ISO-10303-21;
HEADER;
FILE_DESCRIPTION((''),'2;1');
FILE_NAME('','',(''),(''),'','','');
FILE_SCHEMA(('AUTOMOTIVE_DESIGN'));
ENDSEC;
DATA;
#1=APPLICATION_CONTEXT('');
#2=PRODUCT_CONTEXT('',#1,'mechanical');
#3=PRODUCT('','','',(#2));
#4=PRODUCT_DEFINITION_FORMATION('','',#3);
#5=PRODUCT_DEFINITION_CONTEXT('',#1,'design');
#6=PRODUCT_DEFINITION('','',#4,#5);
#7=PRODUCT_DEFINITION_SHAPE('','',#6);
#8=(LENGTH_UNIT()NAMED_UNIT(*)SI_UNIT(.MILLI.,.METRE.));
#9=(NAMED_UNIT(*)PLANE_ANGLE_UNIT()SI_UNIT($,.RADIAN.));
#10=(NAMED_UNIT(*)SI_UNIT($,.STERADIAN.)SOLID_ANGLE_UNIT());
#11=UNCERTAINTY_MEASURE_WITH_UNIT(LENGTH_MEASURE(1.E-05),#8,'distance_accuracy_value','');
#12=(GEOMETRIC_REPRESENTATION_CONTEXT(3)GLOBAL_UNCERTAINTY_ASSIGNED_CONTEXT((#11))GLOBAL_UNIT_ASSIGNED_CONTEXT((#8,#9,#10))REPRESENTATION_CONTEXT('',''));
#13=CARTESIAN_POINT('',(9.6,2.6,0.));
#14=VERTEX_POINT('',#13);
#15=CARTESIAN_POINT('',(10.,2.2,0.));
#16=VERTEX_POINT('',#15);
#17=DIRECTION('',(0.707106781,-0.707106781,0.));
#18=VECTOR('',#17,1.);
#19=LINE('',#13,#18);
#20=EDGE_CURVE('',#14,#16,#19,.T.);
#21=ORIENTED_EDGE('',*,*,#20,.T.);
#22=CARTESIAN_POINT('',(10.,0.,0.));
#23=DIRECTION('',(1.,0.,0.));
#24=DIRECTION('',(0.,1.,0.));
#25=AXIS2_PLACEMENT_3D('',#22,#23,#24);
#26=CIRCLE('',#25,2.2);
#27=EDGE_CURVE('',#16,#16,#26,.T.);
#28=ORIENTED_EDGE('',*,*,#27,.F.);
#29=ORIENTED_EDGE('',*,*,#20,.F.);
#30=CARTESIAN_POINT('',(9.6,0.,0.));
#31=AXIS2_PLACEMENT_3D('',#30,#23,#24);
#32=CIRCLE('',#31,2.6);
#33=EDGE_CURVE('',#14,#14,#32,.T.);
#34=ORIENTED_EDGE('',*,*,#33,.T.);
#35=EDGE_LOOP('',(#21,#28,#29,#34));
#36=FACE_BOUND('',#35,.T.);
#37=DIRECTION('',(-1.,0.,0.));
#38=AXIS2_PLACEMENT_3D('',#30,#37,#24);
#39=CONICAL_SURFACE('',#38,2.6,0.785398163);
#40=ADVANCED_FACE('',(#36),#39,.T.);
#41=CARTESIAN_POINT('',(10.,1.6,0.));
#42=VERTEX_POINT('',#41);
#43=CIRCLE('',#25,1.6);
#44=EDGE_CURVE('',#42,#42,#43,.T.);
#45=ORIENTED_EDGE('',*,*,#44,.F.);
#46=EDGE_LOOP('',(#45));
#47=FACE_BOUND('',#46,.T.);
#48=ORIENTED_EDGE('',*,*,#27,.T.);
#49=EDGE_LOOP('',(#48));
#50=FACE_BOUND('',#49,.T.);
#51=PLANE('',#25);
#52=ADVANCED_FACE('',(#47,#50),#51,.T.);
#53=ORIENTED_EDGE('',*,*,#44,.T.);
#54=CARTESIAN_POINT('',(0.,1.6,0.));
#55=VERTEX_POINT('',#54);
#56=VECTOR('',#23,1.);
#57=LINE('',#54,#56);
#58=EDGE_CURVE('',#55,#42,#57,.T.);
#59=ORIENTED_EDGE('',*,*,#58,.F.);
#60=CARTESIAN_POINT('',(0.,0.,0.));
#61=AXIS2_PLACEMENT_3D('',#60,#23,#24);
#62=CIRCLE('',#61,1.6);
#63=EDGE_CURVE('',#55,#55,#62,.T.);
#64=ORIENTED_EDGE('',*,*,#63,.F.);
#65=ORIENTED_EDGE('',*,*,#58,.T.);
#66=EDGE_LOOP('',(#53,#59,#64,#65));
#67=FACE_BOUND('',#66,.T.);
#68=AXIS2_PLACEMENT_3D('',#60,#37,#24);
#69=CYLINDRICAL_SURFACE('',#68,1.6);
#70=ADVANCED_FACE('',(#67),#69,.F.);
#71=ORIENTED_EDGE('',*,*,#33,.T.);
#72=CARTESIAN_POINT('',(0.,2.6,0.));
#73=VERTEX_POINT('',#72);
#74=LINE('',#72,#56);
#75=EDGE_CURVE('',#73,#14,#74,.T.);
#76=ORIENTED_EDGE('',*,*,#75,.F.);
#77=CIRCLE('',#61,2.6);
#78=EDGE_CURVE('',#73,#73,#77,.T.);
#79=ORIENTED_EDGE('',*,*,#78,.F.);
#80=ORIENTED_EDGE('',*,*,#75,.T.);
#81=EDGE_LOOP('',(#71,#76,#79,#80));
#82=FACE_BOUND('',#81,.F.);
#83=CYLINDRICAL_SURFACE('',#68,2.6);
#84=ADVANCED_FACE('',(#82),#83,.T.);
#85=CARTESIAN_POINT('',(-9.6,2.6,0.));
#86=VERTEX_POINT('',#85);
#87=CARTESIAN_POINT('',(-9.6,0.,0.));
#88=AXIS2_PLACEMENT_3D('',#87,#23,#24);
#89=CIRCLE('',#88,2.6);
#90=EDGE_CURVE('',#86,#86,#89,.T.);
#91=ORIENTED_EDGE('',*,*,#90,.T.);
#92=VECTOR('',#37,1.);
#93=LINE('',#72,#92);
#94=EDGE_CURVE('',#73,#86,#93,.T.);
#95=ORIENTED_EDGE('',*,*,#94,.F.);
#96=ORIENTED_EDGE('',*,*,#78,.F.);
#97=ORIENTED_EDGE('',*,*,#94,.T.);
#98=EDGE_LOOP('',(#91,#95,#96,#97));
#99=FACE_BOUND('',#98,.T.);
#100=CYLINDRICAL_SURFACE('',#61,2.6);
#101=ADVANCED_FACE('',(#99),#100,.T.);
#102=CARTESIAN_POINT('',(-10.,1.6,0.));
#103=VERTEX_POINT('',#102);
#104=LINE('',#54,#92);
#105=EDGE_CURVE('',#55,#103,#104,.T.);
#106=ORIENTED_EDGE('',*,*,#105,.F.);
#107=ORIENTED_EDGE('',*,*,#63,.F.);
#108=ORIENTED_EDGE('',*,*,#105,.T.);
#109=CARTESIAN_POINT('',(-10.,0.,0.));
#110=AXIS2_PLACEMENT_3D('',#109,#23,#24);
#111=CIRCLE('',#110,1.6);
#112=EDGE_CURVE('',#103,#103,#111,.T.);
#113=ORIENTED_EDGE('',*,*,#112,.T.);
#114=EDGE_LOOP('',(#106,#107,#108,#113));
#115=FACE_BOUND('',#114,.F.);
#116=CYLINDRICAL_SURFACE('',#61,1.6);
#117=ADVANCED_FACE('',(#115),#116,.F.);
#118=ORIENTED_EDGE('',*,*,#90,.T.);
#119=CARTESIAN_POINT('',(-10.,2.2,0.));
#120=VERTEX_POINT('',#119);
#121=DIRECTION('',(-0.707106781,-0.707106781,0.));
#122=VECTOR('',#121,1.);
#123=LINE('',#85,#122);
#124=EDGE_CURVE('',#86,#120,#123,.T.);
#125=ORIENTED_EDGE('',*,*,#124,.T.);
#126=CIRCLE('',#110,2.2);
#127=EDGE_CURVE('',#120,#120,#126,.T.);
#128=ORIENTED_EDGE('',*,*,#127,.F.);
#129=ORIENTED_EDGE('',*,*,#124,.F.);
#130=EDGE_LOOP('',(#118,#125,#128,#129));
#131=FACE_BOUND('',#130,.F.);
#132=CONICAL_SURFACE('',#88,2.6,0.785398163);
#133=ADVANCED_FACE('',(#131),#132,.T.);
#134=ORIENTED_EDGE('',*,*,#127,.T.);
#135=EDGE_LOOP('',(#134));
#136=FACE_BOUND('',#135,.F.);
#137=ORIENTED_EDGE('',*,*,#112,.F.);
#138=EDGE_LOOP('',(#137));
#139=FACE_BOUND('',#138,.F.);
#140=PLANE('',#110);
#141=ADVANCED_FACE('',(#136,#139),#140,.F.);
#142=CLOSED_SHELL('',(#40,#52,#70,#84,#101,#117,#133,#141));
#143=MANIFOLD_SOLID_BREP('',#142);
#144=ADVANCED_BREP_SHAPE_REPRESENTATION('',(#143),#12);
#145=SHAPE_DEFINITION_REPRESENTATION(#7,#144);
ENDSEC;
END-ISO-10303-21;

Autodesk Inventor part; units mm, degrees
ref_plane "YZ Plane" through (0, 0, 0) normal (1, 0, 0) x (0, 1, 0)
ref_plane "XZ Plane" through (0, 0, 0) normal (0, 1, 0) x (-1, 0, 0)
ref_plane "XY Plane" through (0, 0, 0) normal (0, 0, 1) x (1, 0, 0)
sketch "スケッチ1" plane through (0, 0, 0) normal (1, 0, 0) x (0, 1, 0)
  circle A0 centre (0, 0) radius 2.6
  circle A1 centre (0, 0) radius 1.6
  dimension "d0" = 3.2
  dimension "d1" = 1
extrude "押し出し1" add sketch "スケッチ1" along normal mid plane 20
chamfer "面取り1" distance 0.4 angle 45 2 edges at (10, -2.6, 0) (-10, -2.6, 0)
properties part number "spacer_Φ3.2_1"
